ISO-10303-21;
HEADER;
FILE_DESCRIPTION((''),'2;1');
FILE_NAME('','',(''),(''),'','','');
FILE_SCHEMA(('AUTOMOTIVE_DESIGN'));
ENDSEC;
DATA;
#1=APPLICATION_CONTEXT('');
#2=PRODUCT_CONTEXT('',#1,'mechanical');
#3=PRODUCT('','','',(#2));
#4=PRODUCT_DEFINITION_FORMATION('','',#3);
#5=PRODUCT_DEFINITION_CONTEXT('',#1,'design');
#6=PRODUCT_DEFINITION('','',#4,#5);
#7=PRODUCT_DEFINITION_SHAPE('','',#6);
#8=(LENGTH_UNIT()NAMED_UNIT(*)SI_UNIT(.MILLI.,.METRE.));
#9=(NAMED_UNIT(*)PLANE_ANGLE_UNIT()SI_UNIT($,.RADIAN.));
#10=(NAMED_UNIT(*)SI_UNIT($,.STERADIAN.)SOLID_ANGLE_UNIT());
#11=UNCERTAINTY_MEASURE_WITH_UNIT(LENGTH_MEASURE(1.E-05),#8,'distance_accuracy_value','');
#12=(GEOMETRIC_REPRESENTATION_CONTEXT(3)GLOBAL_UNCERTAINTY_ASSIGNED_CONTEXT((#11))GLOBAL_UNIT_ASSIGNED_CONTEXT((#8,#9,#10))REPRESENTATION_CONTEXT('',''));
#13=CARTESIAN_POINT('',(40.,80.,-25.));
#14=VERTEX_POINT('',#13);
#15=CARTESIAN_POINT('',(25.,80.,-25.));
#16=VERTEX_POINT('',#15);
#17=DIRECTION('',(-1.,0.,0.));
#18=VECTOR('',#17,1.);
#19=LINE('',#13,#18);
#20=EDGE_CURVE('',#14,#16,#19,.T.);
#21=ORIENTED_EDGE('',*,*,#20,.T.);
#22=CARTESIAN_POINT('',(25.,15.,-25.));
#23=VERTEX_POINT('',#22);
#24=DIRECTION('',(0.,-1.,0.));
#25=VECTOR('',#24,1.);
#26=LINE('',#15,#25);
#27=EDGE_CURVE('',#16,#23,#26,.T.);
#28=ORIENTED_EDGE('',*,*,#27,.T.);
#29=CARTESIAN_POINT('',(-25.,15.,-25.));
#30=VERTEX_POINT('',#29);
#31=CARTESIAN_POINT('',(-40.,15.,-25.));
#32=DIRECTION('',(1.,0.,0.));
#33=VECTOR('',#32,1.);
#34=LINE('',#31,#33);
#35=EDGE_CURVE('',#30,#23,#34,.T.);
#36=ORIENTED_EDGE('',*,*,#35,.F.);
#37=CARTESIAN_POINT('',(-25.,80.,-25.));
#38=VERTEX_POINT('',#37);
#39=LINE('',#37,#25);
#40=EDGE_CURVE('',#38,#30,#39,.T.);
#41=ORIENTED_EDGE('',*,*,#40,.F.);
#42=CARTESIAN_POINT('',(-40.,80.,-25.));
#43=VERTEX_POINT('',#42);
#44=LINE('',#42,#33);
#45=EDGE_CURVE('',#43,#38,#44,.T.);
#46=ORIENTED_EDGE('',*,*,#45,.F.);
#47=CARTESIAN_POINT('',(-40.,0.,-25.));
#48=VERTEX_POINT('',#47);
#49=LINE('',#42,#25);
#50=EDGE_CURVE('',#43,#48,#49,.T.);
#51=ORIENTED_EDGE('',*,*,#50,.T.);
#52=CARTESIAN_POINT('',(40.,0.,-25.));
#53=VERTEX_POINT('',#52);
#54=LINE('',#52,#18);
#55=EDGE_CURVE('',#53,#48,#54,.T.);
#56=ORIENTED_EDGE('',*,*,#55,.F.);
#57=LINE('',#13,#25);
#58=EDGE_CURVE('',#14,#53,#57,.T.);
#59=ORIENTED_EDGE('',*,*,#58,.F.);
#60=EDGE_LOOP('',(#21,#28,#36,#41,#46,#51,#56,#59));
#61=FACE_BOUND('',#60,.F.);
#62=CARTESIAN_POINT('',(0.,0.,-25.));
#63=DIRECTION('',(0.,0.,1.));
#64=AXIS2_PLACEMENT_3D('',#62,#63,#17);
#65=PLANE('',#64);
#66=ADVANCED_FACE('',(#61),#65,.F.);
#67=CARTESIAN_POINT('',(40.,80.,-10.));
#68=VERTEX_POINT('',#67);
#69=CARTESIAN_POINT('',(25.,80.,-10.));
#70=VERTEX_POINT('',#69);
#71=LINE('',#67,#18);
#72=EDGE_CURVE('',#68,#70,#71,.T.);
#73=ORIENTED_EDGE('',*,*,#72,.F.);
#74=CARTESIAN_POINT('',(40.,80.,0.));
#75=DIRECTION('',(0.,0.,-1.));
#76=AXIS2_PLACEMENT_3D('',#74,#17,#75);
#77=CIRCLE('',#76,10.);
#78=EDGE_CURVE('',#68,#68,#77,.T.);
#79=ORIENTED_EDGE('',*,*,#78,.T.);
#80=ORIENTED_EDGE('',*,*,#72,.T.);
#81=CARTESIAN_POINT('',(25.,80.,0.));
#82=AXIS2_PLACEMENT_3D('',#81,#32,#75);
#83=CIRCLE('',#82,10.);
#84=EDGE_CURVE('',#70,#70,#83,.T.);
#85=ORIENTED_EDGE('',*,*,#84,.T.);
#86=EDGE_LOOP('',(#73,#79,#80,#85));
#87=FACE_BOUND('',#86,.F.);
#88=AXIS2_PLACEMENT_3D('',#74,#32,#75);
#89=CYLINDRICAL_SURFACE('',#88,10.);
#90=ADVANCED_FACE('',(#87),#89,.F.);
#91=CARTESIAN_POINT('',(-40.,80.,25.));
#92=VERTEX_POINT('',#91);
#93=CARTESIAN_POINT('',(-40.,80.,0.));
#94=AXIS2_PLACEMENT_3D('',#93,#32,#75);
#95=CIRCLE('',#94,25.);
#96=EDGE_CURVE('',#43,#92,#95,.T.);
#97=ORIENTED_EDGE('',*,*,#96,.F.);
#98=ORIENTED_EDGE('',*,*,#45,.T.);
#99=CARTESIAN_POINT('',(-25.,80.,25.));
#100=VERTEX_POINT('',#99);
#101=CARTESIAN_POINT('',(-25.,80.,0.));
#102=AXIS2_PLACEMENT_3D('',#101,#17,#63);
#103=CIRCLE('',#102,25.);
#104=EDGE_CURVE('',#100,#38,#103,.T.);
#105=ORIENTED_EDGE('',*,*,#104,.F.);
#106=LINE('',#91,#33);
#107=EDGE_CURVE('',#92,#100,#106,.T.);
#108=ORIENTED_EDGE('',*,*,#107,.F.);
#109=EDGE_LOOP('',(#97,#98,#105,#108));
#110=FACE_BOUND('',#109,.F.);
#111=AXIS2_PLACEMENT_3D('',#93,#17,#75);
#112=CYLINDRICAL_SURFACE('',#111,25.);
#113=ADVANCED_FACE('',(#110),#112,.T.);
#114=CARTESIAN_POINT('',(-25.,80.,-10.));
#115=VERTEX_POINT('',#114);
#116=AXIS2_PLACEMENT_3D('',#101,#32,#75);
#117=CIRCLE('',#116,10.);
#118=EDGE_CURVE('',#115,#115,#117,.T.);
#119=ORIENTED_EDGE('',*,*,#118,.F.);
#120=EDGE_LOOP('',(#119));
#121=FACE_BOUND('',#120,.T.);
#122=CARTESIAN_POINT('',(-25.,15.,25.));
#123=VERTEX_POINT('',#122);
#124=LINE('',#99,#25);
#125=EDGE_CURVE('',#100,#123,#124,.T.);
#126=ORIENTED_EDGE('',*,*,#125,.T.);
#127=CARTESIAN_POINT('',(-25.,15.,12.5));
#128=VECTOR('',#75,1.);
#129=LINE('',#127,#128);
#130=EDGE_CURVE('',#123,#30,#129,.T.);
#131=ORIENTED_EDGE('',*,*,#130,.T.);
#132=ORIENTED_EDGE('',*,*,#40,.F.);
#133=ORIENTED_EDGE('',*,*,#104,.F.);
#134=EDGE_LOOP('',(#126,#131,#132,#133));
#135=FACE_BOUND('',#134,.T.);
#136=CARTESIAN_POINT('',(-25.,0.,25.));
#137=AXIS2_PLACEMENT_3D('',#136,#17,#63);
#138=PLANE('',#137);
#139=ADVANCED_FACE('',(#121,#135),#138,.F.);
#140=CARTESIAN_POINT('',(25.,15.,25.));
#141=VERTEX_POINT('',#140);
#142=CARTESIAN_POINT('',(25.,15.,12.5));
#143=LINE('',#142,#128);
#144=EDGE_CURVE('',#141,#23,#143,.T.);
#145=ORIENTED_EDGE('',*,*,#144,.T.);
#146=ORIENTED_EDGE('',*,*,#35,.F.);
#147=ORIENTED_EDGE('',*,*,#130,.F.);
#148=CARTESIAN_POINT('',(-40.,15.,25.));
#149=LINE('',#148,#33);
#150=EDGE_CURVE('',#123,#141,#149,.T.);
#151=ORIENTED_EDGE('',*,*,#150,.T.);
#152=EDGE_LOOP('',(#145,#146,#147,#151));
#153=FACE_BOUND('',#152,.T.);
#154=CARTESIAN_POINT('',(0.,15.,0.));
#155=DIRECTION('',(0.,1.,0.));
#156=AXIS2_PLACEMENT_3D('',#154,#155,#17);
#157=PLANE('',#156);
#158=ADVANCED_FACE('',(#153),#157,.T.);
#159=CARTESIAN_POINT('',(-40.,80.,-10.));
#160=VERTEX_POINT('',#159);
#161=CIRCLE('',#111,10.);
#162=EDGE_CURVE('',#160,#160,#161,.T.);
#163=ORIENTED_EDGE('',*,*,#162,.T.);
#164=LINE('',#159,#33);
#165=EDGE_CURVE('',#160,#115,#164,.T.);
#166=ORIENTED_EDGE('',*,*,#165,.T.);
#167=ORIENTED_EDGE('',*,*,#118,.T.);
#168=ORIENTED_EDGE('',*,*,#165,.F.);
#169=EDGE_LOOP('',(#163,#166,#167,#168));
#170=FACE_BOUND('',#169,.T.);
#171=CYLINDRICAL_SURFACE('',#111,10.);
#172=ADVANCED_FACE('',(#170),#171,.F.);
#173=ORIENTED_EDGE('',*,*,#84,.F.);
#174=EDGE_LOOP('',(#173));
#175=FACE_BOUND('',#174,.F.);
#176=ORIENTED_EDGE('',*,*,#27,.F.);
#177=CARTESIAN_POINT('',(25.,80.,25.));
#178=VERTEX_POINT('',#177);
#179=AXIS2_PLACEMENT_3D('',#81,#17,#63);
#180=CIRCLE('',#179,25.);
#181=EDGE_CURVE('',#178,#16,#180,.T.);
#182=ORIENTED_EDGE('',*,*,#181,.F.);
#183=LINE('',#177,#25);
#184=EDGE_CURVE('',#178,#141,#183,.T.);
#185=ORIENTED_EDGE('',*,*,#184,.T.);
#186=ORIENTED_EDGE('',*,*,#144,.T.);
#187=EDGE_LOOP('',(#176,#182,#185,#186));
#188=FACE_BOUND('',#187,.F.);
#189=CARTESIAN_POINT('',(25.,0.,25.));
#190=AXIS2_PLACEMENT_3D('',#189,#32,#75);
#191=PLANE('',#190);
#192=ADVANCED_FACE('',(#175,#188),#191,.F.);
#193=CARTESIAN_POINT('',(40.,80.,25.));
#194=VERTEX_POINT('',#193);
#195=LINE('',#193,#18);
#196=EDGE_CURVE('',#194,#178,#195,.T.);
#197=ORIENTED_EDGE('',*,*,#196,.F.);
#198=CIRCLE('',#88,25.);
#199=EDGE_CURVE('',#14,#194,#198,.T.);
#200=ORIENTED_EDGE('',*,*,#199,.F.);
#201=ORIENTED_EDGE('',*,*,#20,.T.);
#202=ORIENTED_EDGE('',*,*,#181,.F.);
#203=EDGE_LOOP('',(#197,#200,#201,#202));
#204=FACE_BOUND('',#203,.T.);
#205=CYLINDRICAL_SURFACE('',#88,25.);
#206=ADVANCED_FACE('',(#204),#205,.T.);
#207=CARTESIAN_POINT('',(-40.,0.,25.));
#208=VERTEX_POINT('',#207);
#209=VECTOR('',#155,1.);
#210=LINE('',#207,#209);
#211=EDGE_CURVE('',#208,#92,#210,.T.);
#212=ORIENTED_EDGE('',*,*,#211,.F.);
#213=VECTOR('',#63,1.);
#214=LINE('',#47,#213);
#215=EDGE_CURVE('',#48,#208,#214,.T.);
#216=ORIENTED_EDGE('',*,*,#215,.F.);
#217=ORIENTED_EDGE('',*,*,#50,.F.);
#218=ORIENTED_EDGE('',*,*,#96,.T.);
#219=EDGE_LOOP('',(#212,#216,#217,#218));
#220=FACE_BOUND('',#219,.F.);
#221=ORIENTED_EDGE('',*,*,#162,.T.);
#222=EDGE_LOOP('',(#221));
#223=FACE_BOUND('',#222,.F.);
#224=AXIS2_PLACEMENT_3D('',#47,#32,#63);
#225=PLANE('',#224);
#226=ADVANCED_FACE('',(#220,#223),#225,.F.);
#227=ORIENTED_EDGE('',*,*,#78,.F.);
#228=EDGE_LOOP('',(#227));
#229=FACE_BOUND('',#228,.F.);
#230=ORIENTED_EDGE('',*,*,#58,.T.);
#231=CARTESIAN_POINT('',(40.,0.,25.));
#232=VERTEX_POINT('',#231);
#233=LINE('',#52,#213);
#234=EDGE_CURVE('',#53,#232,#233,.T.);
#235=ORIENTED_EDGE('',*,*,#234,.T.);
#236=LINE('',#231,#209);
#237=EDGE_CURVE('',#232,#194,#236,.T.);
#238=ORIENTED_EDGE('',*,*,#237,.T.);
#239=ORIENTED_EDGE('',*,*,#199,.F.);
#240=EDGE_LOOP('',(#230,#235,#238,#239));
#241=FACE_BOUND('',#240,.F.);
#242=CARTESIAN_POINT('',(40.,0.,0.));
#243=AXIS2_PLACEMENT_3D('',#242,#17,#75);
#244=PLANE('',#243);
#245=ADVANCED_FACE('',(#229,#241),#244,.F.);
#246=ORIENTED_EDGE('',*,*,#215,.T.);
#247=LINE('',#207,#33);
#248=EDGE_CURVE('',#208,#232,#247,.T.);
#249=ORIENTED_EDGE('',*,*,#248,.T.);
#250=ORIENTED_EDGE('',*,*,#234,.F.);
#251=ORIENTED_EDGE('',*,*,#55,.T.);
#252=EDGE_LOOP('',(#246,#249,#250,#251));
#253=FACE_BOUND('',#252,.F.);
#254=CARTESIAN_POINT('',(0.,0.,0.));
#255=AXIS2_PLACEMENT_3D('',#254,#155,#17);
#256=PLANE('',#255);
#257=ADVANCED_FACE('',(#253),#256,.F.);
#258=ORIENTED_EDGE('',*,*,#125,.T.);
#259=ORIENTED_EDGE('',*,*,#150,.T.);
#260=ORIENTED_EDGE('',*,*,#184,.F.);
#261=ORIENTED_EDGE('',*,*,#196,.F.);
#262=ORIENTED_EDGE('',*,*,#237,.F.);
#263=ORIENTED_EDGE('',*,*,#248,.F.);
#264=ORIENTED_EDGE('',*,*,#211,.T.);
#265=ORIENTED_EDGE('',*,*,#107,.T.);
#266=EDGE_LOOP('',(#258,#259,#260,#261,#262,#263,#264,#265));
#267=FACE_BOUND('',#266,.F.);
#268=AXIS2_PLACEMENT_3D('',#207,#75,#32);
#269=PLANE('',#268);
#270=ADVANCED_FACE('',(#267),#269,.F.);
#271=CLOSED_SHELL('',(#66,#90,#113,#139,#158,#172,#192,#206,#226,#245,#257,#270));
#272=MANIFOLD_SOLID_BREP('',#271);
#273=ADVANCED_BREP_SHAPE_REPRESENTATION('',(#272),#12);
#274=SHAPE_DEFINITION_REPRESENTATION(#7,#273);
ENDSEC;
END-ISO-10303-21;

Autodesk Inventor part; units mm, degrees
ref_plane "YZ Plane" through (0, 0, 0) normal (1, 0, 0) x (0, 1, 0)
ref_plane "XZ Plane" through (0, 0, 0) normal (0, 1, 0) x (-1, 0, 0)
ref_plane "XY Plane" through (0, 0, 0) normal (0, 0, 1) x (1, 0, 0)
sketch "Sketch1" plane through (0, 0, 0) normal (0, 1, 0) x (-1, 0, 0)
  line L0 (56, 0) -> (-56, 0) projected
  line L1 (0, -35) -> (0, 35) projected
  line L2 (40, 25) -> (-40, 25)
  line L3 (-40, 25) -> (-40, -25)
  line L4 (-40, -25) -> (40, -25)
  line L5 (40, -25) -> (40, 25)
  point P0 (0, 0)
  point P1 (40, 0)
  point P2 (0, -25)
  dimension "d0" = 50
  dimension "d1" = 80
extrude "Extrusion1" add sketch "Sketch1" along normal blind 15
sketch "Sketch2" plane through (40, 0, 25) normal (1, 0, 0) x (0, 0, -1)
  line L0 (0, 0) -> (50, 0) projected
  line L1 (50, 0) -> (50, 15) projected
  line L2 (0, 15) -> (50, 15) projected
  line L3 (0, 0) -> (0, 15) projected
  line L4 (0, 0) -> (50, 0)
  line L5 (50, 0) -> (50, 80)
  line L6 (0, 80) -> (0, 0)
  arc A0 (50, 80) -> (0, 80) centre (25, 80) ccw
  line L7 (0, 0) -> (50, 0) projected
  circle A1 centre (25, 80) radius 10
  line L8 (25, -19) -> (25, 114) projected
  point P0 (25, 0)
  dimension "d5" = 50
  dimension "d6" = 20
  dimension "d7" = 80
  dimension "d8" = 50
extrude "Extrusion2" add sketch "Sketch2" against normal blind 15 contours L3 L2 L8 L0 | L8 L2 L1 L0 | L6 A0 L8 A1 L2 | L8 A1 A0 L5 L2
mirror "Mirror1" about plane through (0, 0, 0) normal (1, 0, 0) of "Extrusion2"
properties part number "Base_Block" material "Steel, Carbon"
